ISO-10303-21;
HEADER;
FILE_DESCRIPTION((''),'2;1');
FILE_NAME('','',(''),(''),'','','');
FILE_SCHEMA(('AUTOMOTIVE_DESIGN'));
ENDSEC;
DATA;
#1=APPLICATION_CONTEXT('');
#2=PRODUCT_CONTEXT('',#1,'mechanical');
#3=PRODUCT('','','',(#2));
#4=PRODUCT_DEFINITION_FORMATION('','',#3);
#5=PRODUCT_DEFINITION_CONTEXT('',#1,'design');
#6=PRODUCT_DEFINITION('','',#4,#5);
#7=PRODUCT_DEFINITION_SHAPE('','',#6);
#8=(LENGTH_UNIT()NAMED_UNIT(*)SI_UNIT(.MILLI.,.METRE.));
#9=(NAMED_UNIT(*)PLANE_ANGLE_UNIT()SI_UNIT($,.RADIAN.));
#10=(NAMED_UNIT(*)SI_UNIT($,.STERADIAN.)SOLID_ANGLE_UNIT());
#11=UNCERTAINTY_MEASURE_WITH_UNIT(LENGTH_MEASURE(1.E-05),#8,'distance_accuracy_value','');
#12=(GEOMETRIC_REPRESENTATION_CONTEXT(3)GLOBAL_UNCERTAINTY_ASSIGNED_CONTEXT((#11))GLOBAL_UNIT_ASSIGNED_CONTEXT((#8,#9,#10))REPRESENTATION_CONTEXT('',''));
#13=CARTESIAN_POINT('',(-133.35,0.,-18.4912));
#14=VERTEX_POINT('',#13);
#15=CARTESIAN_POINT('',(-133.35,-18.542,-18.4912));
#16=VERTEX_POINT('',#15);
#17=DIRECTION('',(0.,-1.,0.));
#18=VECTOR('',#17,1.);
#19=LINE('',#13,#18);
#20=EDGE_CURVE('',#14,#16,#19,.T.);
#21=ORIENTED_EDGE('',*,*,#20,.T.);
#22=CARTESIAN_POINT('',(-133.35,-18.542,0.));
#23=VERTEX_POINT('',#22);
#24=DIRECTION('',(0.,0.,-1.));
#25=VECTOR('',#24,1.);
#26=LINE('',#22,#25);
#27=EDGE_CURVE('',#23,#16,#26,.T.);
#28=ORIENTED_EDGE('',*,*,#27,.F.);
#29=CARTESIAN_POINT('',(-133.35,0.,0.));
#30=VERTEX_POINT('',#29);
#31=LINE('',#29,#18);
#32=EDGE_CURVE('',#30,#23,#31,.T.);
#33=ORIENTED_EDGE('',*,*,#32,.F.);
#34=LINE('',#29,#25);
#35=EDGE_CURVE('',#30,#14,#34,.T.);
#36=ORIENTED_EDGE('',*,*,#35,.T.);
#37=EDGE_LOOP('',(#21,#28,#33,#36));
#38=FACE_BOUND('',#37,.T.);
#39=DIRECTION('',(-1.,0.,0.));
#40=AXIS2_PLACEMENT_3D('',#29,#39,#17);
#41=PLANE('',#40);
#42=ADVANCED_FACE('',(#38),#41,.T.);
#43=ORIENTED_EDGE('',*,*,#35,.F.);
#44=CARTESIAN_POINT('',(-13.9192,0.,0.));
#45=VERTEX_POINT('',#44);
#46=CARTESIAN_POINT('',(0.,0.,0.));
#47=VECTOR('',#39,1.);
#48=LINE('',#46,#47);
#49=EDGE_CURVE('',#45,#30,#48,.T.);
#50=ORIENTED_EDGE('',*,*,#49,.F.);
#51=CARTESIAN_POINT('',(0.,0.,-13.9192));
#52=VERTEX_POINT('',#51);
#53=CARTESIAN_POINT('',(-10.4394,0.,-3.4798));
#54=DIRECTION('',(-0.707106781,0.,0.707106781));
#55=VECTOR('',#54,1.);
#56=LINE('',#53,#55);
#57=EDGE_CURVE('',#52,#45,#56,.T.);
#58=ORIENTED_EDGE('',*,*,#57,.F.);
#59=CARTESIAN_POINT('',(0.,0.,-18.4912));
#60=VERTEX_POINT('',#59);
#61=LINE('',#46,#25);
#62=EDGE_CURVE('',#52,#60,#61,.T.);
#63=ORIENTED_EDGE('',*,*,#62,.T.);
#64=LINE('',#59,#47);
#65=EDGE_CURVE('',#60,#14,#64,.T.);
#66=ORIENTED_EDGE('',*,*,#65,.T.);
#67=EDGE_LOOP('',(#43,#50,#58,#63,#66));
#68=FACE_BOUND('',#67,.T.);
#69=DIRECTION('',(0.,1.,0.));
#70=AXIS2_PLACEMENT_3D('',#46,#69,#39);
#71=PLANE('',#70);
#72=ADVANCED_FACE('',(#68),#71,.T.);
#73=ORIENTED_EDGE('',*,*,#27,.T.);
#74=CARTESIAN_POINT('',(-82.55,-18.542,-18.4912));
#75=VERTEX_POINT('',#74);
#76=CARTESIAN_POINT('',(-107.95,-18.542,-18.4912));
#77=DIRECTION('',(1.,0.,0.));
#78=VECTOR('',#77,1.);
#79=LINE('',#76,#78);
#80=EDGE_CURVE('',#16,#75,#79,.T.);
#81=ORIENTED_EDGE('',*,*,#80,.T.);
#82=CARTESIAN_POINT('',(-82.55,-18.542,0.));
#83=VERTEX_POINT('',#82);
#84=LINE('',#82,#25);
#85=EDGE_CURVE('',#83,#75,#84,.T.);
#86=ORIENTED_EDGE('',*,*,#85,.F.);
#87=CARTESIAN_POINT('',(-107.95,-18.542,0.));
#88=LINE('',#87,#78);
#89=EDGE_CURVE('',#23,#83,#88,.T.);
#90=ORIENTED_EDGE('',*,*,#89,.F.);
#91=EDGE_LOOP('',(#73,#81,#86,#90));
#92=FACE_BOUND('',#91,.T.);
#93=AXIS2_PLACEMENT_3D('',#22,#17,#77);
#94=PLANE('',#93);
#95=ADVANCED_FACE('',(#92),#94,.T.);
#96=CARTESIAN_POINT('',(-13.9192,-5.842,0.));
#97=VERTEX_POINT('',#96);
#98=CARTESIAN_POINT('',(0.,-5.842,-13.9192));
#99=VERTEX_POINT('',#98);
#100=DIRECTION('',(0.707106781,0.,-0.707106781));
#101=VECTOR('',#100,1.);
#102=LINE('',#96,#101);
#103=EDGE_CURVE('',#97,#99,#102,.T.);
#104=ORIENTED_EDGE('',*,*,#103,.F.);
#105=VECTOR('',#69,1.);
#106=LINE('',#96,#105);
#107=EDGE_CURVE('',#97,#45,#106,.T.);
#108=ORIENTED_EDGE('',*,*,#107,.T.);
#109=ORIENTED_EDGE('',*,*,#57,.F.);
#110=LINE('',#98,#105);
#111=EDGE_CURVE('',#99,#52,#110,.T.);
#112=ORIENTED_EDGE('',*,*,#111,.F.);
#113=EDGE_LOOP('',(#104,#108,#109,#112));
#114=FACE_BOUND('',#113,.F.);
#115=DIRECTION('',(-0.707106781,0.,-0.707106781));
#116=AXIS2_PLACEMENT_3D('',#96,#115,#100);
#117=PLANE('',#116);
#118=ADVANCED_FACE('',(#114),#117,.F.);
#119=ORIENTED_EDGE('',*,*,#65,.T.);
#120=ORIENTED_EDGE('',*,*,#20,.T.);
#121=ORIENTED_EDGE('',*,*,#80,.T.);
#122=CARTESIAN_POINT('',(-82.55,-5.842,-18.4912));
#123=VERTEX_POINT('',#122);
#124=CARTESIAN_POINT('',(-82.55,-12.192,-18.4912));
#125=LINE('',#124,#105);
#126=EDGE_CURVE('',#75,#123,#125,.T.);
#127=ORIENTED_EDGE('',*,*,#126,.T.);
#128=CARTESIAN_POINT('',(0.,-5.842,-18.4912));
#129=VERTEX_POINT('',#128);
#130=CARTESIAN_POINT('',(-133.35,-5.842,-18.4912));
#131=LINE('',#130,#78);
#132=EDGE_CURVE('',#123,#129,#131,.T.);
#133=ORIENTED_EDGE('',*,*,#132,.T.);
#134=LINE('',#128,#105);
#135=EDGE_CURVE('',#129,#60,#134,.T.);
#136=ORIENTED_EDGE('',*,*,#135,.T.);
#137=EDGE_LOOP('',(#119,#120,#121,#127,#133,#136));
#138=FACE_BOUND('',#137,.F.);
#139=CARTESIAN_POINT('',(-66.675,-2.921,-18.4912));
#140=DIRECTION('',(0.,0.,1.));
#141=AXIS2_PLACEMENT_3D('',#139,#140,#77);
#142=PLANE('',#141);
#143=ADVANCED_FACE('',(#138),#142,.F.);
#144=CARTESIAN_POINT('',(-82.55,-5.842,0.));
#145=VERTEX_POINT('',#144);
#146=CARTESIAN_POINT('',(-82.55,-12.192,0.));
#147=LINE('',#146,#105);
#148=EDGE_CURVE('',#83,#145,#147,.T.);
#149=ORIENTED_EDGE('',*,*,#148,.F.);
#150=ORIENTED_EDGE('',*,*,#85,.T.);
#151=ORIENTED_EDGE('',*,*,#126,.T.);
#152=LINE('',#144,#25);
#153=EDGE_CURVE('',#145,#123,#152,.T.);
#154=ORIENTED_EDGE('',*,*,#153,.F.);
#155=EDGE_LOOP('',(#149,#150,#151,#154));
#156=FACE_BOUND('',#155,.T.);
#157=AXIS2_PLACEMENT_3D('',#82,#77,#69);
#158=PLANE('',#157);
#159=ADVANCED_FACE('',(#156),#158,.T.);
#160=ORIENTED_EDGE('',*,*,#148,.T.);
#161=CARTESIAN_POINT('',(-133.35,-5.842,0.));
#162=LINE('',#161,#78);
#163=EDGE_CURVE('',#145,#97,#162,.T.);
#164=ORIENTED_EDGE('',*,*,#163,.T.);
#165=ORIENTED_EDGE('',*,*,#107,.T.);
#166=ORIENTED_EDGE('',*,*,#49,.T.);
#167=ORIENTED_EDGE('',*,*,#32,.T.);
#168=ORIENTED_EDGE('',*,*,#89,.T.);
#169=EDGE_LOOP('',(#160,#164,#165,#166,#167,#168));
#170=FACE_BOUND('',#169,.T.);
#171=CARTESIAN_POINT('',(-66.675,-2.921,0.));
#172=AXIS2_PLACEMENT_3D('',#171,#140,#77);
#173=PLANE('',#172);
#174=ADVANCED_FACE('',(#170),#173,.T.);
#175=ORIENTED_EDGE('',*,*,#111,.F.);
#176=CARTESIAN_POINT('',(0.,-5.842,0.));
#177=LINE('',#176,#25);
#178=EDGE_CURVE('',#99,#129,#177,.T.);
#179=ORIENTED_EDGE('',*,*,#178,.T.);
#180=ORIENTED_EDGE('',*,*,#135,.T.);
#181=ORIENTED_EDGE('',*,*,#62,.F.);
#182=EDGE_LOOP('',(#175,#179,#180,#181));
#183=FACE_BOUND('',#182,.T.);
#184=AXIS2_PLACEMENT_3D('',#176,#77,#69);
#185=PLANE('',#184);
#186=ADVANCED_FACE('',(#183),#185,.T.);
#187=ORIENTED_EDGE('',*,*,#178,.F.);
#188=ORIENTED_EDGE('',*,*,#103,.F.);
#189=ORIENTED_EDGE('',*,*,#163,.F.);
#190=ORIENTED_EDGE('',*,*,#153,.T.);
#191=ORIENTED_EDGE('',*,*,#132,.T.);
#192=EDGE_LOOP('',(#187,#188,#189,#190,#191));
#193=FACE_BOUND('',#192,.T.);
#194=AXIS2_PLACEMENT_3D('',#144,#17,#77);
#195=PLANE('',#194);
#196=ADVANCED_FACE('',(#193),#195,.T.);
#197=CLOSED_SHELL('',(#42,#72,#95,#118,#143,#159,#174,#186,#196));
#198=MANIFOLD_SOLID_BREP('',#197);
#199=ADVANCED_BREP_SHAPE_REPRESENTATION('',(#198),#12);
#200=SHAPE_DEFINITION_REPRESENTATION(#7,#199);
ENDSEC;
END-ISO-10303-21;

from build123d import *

# Parameters (mm, degrees)
F0_W     = 50.8
F0_H     = 12.7
F1_DEPTH = 18.4912
F3_DEPTH = 5.843


with BuildPart() as f1:
    # F0 (on Top) → F1 (new body)
    with BuildSketch(Plane.XY):
        Polygon((0, -5.842), (0, 0), (-133.35, 0), (-133.35, -5.842), (-82.55, -5.842), align=None)
        with Locations((-107.95, -12.192)):
            Rectangle(F0_W, F0_H)
    extrude(amount=-F1_DEPTH)

    # F2 (on face) → F3 (cut, through all)
    with BuildSketch(Plane.XZ.offset(5.842)):
        Polygon((0, -13.9192), (0, 0), (-13.9192, 0), align=None)
    extrude(amount=-F3_DEPTH, mode=Mode.SUBTRACT)


solid = f1.part
